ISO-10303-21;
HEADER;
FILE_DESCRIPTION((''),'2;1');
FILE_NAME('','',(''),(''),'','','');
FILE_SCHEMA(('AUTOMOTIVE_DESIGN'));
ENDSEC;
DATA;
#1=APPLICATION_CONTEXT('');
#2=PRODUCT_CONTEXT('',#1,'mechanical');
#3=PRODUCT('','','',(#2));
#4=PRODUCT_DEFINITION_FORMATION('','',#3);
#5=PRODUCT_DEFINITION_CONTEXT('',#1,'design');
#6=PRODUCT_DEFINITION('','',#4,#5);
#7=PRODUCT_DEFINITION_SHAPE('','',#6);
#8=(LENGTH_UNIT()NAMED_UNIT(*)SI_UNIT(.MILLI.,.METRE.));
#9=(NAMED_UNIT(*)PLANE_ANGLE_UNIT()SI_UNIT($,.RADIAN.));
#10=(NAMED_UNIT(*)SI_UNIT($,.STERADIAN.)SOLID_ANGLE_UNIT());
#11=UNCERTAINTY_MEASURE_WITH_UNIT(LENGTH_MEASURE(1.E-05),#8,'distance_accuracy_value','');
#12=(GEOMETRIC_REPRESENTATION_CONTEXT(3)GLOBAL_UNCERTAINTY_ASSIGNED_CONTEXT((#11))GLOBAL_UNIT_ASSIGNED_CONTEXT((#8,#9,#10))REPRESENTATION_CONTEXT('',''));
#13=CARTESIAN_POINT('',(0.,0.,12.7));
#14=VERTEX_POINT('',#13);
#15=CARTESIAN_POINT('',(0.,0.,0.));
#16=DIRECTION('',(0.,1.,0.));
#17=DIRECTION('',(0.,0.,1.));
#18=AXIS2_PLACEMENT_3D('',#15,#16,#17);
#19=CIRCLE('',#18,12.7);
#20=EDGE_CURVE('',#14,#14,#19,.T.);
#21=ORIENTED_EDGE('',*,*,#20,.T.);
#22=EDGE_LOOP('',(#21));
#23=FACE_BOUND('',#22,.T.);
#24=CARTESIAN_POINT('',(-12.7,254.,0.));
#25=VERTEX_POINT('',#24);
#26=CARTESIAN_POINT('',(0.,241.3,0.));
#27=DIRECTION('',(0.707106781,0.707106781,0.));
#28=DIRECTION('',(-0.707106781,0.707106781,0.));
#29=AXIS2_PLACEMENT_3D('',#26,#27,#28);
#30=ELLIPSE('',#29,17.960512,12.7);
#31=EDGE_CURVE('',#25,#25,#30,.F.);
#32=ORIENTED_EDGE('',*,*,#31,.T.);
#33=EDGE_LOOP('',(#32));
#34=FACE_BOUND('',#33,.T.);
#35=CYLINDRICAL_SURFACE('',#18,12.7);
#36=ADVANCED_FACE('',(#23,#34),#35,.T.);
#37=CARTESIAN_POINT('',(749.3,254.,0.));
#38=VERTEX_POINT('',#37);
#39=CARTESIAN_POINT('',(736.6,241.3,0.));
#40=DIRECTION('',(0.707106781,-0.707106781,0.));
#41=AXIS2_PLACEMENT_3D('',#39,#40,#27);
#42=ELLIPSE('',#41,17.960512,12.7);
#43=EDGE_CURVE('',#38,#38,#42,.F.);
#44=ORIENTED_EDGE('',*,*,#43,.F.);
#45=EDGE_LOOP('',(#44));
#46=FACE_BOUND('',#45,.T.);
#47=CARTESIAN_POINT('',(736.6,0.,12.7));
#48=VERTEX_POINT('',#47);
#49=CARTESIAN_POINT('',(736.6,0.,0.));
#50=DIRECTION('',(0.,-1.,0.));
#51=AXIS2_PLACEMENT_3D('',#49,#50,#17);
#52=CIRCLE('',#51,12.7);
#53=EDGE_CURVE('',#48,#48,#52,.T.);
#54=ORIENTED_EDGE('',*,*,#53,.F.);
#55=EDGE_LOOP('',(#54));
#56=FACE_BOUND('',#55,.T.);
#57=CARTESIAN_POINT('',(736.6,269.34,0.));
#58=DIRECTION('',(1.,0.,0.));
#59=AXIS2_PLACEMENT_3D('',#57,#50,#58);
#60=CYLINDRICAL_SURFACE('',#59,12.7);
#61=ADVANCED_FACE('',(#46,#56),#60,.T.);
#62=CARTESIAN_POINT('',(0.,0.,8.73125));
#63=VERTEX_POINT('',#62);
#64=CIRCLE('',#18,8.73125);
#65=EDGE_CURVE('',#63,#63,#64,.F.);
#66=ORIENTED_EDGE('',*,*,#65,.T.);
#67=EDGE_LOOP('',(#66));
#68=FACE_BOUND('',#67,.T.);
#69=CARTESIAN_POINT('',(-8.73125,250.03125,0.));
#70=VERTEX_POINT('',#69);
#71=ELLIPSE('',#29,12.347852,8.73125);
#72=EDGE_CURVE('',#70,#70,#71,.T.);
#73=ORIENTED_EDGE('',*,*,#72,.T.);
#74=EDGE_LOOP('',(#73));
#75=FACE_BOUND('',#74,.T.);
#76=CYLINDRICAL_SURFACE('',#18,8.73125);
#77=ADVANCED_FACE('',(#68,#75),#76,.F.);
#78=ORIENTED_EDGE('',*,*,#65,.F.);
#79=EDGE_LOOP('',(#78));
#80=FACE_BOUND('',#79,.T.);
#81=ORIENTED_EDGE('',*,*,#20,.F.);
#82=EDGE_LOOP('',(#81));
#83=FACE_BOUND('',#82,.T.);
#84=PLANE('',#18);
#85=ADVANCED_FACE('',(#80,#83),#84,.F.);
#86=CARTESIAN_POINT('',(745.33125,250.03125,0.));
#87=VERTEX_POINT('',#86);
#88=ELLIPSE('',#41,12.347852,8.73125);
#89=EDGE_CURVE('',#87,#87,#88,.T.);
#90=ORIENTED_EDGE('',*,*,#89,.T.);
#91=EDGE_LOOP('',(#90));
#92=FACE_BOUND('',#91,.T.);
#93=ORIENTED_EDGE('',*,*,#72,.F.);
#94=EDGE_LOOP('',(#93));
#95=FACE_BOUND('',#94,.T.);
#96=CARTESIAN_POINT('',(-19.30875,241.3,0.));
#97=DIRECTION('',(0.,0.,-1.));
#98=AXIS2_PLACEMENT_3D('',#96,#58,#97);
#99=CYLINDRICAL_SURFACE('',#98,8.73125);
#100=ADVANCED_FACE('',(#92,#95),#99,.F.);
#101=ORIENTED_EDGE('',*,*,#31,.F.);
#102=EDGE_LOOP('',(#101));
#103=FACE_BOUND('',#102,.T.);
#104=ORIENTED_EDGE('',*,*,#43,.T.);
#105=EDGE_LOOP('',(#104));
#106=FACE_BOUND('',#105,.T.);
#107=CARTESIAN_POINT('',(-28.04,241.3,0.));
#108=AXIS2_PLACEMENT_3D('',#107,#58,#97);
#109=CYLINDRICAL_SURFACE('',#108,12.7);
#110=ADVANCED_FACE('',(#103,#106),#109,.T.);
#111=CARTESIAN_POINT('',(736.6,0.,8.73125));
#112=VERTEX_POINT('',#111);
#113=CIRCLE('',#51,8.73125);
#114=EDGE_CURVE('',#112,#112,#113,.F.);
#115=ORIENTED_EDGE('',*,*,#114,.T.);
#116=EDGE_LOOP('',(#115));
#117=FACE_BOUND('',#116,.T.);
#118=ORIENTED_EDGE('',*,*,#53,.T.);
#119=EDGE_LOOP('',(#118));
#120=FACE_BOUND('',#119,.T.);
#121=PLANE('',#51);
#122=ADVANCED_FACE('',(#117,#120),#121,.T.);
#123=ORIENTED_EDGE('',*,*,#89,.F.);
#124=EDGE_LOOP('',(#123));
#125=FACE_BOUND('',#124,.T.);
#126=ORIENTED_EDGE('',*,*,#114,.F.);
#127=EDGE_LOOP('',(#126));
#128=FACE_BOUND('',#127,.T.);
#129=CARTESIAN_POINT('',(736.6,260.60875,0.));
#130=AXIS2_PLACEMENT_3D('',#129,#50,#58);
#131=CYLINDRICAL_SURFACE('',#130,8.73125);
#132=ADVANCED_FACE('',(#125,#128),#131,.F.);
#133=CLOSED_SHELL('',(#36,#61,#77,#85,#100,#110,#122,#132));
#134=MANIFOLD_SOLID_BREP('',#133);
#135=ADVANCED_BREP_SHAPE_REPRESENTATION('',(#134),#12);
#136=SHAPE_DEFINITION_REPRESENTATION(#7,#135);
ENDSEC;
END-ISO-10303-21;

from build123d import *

# Parameters (mm, degrees)
SKETCH3_R   = 12.7
SKETCH3_R_2 = 8.73125


with BuildPart() as part:
    # Sweep1: sweep along a path in Sketch1
    with BuildLine(Plane.XY) as sweep1_path:
        Line((0, 0), (0, 241.3))
        Line((0, 241.3), (736.6, 241.3))
        Line((736.6, 241.3), (736.6, 0))
    # Sketch3 → Sweep1 (sweep)
    with BuildSketch(Plane(origin=(0, 0, 0), x_dir=(1, 0, 0), z_dir=(0, 1, 0))):
        Circle(SKETCH3_R)
        Circle(SKETCH3_R_2, mode=Mode.SUBTRACT)
    sweep(path=sweep1_path.line, transition=Transition.RIGHT)


solid = part.part
